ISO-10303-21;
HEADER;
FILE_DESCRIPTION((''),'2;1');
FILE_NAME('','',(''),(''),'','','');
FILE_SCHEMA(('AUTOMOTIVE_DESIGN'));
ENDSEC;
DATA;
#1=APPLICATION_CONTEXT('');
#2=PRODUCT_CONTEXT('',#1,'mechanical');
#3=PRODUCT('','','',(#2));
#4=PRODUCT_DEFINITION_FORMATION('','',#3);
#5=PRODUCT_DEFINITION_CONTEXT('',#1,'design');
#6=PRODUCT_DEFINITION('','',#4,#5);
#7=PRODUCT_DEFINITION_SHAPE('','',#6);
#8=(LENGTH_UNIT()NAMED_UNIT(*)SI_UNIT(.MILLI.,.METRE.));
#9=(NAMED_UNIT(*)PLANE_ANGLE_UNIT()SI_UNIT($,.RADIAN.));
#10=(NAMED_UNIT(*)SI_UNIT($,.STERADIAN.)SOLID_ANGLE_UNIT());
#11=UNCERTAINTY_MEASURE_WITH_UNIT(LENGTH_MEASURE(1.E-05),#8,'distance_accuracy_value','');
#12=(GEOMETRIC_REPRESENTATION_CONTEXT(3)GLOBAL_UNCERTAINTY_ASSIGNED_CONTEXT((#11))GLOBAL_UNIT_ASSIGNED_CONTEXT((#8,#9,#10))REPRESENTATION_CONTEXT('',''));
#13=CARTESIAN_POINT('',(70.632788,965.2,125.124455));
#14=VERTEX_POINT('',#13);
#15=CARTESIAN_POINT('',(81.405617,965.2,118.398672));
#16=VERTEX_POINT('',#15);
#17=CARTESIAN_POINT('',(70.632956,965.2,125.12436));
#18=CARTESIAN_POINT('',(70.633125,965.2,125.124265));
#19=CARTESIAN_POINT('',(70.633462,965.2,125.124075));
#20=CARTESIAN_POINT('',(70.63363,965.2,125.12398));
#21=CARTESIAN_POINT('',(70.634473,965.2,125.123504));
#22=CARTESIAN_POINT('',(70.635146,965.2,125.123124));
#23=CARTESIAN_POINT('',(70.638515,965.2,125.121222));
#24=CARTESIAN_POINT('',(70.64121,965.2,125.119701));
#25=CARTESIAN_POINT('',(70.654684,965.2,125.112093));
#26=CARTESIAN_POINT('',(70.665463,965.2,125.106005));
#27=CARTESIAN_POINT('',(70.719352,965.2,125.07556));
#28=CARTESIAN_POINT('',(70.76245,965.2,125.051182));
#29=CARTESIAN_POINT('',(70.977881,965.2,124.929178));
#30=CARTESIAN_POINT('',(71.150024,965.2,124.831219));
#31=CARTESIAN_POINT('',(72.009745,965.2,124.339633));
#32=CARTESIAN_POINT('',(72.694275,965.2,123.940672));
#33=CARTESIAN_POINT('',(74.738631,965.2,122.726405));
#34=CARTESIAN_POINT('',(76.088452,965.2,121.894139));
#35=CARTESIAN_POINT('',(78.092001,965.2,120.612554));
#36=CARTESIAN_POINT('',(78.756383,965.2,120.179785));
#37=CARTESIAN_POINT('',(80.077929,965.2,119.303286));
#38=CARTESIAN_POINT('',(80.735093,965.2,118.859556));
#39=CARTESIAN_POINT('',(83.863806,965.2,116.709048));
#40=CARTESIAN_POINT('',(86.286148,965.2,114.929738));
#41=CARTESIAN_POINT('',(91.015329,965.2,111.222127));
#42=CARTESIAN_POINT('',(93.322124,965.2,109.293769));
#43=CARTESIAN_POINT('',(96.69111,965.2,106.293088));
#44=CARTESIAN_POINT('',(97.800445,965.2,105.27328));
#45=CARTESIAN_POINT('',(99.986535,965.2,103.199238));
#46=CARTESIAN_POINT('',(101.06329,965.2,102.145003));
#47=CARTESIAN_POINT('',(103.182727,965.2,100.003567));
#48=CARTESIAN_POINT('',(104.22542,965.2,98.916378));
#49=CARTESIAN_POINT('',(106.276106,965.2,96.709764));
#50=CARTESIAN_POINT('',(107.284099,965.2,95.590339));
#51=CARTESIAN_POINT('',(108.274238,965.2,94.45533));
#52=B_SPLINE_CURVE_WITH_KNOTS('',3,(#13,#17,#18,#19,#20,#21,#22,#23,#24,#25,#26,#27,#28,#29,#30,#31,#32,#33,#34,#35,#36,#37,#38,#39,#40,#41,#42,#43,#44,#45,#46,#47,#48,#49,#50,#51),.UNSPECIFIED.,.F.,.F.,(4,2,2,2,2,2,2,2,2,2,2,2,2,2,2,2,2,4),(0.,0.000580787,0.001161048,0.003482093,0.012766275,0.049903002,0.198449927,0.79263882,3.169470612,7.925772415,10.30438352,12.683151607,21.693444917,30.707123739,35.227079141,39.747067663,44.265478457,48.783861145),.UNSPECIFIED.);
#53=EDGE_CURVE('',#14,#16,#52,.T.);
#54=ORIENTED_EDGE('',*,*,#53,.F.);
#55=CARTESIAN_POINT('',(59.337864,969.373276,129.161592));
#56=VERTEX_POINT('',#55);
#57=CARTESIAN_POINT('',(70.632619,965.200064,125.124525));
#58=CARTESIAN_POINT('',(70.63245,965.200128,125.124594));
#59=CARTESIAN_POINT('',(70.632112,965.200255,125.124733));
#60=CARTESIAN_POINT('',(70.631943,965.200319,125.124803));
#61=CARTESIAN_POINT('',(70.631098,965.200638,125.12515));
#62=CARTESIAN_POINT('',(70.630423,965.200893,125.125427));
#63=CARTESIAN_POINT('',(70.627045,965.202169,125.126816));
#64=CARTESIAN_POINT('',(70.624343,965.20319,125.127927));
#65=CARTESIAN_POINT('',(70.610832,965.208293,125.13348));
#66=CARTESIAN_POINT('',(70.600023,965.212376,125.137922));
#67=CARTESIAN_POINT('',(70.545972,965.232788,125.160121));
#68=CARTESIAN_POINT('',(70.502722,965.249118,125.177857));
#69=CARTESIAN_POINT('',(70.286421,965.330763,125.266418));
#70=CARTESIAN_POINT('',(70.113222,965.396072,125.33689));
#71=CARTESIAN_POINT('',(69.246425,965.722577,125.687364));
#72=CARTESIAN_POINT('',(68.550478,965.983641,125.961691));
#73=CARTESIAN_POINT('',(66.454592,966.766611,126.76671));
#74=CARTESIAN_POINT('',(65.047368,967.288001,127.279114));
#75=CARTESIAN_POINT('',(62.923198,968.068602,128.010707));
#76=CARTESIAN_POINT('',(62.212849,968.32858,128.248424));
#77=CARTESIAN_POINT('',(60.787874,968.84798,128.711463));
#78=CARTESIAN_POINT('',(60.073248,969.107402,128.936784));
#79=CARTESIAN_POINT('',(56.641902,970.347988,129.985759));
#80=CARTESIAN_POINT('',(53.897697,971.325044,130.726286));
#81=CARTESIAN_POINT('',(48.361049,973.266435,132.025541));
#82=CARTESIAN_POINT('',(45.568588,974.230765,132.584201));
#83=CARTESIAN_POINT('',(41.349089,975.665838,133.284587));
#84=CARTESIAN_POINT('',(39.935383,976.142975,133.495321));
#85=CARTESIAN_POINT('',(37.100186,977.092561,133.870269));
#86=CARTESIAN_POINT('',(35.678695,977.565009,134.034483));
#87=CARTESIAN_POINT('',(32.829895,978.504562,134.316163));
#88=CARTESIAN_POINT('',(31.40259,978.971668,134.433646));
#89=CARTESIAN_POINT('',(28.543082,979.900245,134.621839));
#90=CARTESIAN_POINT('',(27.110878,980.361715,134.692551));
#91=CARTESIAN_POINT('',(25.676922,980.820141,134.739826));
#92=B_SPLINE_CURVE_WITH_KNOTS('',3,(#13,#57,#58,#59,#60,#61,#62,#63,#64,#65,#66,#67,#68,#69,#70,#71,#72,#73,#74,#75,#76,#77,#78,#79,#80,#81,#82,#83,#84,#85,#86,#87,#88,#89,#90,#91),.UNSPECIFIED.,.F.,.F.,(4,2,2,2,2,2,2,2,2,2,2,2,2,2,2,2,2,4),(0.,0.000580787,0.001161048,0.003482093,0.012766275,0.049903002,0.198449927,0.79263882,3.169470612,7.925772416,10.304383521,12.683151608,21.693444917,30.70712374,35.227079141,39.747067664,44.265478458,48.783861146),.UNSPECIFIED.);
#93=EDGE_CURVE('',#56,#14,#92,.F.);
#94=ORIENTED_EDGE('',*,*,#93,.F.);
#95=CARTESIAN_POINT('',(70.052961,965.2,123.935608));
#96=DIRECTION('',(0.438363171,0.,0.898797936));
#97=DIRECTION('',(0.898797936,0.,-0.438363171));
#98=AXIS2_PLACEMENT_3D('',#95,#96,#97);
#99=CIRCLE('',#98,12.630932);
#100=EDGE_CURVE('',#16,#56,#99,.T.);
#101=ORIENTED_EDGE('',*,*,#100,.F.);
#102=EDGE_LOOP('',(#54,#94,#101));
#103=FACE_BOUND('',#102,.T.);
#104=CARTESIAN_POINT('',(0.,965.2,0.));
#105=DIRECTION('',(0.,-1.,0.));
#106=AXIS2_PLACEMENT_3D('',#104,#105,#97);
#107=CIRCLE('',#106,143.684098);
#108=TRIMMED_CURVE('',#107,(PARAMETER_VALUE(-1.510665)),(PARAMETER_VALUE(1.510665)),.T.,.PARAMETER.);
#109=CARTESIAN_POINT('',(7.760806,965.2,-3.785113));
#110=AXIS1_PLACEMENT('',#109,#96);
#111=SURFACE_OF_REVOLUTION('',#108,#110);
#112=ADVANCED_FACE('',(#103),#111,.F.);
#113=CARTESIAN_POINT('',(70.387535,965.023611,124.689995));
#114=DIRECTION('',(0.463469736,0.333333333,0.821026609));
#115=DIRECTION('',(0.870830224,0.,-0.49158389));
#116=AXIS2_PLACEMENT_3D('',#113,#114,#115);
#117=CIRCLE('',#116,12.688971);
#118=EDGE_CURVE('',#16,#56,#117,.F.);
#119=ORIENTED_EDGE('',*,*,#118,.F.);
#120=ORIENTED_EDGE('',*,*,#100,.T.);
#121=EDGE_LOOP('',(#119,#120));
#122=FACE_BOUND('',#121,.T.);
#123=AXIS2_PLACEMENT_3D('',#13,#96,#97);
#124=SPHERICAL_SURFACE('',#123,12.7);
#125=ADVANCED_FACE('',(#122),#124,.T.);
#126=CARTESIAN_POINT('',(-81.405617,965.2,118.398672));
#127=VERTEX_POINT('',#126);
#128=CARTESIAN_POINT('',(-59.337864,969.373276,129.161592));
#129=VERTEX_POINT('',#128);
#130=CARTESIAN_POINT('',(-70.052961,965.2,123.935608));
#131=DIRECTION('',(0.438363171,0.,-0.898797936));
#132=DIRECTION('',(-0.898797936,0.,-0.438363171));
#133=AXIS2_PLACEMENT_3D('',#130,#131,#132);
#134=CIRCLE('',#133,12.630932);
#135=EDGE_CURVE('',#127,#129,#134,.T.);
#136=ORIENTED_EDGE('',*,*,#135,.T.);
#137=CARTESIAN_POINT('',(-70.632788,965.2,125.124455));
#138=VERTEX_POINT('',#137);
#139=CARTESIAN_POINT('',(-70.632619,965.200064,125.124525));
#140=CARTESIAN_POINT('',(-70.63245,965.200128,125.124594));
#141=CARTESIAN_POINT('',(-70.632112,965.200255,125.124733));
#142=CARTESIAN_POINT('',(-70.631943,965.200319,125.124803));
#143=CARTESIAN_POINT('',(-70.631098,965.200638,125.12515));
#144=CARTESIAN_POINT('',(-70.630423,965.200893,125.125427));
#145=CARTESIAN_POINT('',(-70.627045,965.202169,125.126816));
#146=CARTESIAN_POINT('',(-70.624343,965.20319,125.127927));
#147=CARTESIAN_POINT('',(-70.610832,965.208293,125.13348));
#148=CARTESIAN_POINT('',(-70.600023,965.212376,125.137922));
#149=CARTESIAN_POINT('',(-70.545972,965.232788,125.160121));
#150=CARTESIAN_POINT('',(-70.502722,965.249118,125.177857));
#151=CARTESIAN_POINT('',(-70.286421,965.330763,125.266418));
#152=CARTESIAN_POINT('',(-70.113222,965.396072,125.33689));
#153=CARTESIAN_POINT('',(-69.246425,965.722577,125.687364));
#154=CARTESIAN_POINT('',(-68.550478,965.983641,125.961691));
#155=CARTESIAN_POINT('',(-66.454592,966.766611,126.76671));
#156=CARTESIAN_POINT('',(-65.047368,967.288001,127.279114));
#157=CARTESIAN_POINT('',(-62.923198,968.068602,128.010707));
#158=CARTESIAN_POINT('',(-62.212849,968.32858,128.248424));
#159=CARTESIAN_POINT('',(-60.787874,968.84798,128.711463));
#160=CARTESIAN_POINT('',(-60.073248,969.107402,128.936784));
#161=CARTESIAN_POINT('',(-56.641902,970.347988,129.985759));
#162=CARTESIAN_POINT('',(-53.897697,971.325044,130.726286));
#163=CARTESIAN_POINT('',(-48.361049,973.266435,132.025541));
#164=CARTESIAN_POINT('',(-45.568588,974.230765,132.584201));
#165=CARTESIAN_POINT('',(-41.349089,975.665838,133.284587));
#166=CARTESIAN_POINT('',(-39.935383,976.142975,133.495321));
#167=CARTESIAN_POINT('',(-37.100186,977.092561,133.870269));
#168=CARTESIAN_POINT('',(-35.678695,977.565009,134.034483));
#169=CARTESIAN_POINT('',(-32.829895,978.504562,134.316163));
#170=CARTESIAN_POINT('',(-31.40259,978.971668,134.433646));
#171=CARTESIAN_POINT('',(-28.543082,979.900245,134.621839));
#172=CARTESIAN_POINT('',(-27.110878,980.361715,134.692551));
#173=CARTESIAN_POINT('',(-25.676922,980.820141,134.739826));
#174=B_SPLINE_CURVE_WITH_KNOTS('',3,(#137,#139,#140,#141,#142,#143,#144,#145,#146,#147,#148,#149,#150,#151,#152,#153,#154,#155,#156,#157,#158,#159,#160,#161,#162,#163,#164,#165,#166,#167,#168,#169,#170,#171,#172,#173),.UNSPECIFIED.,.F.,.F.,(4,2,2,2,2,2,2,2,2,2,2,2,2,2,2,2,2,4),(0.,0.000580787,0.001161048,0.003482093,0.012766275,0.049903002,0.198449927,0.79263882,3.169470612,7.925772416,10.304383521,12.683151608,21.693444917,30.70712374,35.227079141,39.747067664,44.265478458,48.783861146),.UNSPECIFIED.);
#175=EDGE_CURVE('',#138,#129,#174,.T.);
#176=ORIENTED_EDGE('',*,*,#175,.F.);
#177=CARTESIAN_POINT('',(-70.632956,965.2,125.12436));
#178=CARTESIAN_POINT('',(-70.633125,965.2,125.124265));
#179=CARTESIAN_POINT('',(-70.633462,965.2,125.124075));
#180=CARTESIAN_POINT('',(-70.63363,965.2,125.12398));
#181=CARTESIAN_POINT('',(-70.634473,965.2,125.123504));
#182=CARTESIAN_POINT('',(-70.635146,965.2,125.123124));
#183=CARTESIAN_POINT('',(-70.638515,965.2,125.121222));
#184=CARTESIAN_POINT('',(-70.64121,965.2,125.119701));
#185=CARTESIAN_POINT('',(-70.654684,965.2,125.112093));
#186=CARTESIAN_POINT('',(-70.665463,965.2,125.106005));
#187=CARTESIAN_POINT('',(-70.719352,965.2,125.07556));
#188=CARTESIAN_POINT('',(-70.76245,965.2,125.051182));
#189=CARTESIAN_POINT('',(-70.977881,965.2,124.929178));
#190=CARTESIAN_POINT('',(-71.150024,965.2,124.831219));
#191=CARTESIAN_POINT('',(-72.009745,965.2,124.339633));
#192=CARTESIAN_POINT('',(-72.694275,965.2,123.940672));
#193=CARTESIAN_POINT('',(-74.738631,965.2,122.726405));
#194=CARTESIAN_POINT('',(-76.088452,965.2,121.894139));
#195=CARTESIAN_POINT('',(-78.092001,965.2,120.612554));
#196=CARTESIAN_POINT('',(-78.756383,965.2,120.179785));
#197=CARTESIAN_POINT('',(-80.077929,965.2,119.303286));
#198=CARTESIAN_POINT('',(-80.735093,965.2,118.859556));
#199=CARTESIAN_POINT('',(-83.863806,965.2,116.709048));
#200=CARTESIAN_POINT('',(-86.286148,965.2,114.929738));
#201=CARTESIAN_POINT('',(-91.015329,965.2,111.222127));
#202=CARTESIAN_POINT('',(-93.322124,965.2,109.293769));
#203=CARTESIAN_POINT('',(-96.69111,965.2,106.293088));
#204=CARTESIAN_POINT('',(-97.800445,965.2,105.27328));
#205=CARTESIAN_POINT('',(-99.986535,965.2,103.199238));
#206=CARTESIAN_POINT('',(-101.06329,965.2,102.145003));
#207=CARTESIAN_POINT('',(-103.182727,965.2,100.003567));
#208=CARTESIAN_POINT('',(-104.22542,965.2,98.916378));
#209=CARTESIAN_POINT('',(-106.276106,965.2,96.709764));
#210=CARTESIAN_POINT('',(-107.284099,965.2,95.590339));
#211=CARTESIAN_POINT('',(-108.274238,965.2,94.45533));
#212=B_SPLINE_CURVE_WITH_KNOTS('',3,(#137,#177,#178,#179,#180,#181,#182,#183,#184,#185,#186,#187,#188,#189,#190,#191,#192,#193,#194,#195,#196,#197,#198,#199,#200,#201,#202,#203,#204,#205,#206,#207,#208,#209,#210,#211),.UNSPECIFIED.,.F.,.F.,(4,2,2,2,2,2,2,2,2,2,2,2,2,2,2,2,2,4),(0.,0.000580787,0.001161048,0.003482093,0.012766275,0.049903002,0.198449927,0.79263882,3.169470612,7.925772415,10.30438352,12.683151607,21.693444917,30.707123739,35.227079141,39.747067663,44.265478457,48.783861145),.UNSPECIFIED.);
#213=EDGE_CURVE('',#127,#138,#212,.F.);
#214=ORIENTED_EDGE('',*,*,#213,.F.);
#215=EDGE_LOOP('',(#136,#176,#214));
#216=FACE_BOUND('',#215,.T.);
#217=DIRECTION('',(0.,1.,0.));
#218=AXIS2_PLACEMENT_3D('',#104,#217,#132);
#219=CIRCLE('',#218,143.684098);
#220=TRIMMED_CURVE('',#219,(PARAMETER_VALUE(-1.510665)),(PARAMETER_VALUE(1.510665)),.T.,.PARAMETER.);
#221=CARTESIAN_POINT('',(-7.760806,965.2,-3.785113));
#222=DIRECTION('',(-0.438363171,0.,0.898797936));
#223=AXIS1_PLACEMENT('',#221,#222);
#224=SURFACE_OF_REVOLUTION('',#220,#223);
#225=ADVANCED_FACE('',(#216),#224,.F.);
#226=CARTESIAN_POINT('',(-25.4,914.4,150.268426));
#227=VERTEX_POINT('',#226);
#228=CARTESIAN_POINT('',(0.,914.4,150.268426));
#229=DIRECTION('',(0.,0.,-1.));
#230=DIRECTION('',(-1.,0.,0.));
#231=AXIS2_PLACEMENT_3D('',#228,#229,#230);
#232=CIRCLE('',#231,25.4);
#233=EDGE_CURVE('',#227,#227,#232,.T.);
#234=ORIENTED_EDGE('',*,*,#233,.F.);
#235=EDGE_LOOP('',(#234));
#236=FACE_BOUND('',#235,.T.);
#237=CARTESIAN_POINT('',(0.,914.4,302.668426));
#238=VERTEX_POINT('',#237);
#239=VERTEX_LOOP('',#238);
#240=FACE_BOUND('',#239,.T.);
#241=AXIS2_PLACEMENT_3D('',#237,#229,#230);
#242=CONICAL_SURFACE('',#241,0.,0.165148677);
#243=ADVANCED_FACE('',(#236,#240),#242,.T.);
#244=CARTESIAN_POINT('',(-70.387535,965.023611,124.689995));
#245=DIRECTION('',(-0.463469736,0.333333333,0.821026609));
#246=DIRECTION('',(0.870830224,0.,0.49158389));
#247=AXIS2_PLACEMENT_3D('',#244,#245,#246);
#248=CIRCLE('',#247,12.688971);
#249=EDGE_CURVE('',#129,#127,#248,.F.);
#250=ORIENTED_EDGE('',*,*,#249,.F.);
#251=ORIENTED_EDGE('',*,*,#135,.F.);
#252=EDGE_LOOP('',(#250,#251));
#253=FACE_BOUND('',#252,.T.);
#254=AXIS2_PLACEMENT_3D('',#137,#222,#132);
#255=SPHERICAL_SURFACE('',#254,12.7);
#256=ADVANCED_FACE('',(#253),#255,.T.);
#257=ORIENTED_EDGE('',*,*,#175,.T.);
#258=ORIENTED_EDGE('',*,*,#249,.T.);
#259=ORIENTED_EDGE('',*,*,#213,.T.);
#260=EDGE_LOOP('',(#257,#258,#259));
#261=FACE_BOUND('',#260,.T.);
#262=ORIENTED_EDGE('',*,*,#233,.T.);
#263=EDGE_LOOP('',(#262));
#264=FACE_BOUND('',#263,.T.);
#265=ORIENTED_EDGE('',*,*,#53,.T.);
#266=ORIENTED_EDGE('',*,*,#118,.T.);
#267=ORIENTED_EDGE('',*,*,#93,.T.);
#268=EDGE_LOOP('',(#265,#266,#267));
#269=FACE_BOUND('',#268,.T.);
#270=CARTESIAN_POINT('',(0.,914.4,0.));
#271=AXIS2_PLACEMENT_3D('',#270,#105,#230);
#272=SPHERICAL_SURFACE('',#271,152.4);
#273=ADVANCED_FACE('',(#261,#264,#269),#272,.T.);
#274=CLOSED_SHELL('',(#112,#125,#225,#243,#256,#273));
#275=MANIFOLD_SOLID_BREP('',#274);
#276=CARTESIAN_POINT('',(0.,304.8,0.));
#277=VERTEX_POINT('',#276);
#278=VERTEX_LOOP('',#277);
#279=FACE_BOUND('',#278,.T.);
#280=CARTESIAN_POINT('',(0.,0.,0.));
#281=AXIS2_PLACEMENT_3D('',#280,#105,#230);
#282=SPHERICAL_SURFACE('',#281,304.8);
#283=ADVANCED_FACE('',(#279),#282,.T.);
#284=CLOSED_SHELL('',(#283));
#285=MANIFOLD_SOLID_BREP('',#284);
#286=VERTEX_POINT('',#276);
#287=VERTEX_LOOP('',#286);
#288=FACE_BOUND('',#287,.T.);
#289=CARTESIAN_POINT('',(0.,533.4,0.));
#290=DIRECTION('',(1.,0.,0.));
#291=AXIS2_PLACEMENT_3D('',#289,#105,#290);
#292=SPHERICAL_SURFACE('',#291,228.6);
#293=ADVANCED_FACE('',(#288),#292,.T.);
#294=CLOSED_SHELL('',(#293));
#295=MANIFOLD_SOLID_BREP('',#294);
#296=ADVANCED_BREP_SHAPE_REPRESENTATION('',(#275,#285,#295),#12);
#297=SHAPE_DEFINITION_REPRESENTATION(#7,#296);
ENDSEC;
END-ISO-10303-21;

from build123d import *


with BuildPart() as part:
    # Sketch1 → Bottom (revolve)
    with BuildSketch(Plane.XY):
        with BuildLine():
            Line((0, -304.8), (0, 304.8))
            ThreePointArc((0, 304.8), (304.8, 0), (0, -304.8))
        make_face()
    revolve(axis=Axis((0, -304.8, 0), (0, 1, 0)))


with BuildPart() as body_2:
    # Sketch2 → Middle (revolve)
    with BuildSketch(Plane.XY):
        with BuildLine():
            Line((0, 304.8), (0, 762))
            ThreePointArc((0, 762), (228.6, 533.4), (0, 304.8))
        make_face()
    revolve(axis=Axis((0, 304.8, 0), (0, 1, 0)))


with BuildPart() as body_3:
    # Sketch3 → Top (revolve)
    with BuildSketch(Plane.XY):
        with BuildLine():
            Line((0, 762), (0, 1066.8))
            ThreePointArc((0, 1066.8), (152.4, 914.4), (0, 762))
        make_face()
    revolve(axis=Axis((0, -304.8, 0), (0, 1, 0)))

    # Sketch5 → Revolve4 (revolve)
    with BuildSketch(Plane(origin=(0, 914.4, 0), x_dir=(1, 0, 0), z_dir=(0, 1, 0)), mode=Mode.PRIVATE) as revolve4_sk:
        with BuildLine():
            Line((0, -302.668426491), (25.4, -150.268426491))
            ThreePointArc((25.4, -150.268426491), (12.744642067, -151.866171673), (0, -152.4))
            Line((0, -152.4), (0, -302.668426491))
        make_face()
    revolve(revolve4_sk.sketch.rotate(Axis((0, 914.4, 150.268426491), (0, 0, 1)), 180), axis=Axis((0, 914.4, 150.268426491), (0, 0, 1)))

    # Sketch7 → Revolve5 (revolve)
    with BuildSketch(Plane(origin=(0, 965.2, 0), x_dir=(1, 0, 0), z_dir=(0, 1, 0))):
        with BuildLine():
            Line((70.632787724, -125.124455237), (76.2, -136.539189026))
            ThreePointArc((76.2, -136.539189026), (82.840114379, -128.627479065), (81.405616632, -118.398672209))
            ThreePointArc((81.405616632, -118.398672209), (76.093548604, -121.880645965), (70.632787724, -125.124455237))
        make_face()
    revolve5 = revolve(axis=Axis((76.2, 965.2, 136.539189026), (-0.4383631713005526, 0, -0.8987979361610274)))

    # Mirror1: Revolve5 across plane
    add(revolve5.mirror(Plane(origin=(0, 0, 0), x_dir=(0, 0, 1), z_dir=(1, 0, 0))))


solid = Compound([part.part, body_2.part, body_3.part])
